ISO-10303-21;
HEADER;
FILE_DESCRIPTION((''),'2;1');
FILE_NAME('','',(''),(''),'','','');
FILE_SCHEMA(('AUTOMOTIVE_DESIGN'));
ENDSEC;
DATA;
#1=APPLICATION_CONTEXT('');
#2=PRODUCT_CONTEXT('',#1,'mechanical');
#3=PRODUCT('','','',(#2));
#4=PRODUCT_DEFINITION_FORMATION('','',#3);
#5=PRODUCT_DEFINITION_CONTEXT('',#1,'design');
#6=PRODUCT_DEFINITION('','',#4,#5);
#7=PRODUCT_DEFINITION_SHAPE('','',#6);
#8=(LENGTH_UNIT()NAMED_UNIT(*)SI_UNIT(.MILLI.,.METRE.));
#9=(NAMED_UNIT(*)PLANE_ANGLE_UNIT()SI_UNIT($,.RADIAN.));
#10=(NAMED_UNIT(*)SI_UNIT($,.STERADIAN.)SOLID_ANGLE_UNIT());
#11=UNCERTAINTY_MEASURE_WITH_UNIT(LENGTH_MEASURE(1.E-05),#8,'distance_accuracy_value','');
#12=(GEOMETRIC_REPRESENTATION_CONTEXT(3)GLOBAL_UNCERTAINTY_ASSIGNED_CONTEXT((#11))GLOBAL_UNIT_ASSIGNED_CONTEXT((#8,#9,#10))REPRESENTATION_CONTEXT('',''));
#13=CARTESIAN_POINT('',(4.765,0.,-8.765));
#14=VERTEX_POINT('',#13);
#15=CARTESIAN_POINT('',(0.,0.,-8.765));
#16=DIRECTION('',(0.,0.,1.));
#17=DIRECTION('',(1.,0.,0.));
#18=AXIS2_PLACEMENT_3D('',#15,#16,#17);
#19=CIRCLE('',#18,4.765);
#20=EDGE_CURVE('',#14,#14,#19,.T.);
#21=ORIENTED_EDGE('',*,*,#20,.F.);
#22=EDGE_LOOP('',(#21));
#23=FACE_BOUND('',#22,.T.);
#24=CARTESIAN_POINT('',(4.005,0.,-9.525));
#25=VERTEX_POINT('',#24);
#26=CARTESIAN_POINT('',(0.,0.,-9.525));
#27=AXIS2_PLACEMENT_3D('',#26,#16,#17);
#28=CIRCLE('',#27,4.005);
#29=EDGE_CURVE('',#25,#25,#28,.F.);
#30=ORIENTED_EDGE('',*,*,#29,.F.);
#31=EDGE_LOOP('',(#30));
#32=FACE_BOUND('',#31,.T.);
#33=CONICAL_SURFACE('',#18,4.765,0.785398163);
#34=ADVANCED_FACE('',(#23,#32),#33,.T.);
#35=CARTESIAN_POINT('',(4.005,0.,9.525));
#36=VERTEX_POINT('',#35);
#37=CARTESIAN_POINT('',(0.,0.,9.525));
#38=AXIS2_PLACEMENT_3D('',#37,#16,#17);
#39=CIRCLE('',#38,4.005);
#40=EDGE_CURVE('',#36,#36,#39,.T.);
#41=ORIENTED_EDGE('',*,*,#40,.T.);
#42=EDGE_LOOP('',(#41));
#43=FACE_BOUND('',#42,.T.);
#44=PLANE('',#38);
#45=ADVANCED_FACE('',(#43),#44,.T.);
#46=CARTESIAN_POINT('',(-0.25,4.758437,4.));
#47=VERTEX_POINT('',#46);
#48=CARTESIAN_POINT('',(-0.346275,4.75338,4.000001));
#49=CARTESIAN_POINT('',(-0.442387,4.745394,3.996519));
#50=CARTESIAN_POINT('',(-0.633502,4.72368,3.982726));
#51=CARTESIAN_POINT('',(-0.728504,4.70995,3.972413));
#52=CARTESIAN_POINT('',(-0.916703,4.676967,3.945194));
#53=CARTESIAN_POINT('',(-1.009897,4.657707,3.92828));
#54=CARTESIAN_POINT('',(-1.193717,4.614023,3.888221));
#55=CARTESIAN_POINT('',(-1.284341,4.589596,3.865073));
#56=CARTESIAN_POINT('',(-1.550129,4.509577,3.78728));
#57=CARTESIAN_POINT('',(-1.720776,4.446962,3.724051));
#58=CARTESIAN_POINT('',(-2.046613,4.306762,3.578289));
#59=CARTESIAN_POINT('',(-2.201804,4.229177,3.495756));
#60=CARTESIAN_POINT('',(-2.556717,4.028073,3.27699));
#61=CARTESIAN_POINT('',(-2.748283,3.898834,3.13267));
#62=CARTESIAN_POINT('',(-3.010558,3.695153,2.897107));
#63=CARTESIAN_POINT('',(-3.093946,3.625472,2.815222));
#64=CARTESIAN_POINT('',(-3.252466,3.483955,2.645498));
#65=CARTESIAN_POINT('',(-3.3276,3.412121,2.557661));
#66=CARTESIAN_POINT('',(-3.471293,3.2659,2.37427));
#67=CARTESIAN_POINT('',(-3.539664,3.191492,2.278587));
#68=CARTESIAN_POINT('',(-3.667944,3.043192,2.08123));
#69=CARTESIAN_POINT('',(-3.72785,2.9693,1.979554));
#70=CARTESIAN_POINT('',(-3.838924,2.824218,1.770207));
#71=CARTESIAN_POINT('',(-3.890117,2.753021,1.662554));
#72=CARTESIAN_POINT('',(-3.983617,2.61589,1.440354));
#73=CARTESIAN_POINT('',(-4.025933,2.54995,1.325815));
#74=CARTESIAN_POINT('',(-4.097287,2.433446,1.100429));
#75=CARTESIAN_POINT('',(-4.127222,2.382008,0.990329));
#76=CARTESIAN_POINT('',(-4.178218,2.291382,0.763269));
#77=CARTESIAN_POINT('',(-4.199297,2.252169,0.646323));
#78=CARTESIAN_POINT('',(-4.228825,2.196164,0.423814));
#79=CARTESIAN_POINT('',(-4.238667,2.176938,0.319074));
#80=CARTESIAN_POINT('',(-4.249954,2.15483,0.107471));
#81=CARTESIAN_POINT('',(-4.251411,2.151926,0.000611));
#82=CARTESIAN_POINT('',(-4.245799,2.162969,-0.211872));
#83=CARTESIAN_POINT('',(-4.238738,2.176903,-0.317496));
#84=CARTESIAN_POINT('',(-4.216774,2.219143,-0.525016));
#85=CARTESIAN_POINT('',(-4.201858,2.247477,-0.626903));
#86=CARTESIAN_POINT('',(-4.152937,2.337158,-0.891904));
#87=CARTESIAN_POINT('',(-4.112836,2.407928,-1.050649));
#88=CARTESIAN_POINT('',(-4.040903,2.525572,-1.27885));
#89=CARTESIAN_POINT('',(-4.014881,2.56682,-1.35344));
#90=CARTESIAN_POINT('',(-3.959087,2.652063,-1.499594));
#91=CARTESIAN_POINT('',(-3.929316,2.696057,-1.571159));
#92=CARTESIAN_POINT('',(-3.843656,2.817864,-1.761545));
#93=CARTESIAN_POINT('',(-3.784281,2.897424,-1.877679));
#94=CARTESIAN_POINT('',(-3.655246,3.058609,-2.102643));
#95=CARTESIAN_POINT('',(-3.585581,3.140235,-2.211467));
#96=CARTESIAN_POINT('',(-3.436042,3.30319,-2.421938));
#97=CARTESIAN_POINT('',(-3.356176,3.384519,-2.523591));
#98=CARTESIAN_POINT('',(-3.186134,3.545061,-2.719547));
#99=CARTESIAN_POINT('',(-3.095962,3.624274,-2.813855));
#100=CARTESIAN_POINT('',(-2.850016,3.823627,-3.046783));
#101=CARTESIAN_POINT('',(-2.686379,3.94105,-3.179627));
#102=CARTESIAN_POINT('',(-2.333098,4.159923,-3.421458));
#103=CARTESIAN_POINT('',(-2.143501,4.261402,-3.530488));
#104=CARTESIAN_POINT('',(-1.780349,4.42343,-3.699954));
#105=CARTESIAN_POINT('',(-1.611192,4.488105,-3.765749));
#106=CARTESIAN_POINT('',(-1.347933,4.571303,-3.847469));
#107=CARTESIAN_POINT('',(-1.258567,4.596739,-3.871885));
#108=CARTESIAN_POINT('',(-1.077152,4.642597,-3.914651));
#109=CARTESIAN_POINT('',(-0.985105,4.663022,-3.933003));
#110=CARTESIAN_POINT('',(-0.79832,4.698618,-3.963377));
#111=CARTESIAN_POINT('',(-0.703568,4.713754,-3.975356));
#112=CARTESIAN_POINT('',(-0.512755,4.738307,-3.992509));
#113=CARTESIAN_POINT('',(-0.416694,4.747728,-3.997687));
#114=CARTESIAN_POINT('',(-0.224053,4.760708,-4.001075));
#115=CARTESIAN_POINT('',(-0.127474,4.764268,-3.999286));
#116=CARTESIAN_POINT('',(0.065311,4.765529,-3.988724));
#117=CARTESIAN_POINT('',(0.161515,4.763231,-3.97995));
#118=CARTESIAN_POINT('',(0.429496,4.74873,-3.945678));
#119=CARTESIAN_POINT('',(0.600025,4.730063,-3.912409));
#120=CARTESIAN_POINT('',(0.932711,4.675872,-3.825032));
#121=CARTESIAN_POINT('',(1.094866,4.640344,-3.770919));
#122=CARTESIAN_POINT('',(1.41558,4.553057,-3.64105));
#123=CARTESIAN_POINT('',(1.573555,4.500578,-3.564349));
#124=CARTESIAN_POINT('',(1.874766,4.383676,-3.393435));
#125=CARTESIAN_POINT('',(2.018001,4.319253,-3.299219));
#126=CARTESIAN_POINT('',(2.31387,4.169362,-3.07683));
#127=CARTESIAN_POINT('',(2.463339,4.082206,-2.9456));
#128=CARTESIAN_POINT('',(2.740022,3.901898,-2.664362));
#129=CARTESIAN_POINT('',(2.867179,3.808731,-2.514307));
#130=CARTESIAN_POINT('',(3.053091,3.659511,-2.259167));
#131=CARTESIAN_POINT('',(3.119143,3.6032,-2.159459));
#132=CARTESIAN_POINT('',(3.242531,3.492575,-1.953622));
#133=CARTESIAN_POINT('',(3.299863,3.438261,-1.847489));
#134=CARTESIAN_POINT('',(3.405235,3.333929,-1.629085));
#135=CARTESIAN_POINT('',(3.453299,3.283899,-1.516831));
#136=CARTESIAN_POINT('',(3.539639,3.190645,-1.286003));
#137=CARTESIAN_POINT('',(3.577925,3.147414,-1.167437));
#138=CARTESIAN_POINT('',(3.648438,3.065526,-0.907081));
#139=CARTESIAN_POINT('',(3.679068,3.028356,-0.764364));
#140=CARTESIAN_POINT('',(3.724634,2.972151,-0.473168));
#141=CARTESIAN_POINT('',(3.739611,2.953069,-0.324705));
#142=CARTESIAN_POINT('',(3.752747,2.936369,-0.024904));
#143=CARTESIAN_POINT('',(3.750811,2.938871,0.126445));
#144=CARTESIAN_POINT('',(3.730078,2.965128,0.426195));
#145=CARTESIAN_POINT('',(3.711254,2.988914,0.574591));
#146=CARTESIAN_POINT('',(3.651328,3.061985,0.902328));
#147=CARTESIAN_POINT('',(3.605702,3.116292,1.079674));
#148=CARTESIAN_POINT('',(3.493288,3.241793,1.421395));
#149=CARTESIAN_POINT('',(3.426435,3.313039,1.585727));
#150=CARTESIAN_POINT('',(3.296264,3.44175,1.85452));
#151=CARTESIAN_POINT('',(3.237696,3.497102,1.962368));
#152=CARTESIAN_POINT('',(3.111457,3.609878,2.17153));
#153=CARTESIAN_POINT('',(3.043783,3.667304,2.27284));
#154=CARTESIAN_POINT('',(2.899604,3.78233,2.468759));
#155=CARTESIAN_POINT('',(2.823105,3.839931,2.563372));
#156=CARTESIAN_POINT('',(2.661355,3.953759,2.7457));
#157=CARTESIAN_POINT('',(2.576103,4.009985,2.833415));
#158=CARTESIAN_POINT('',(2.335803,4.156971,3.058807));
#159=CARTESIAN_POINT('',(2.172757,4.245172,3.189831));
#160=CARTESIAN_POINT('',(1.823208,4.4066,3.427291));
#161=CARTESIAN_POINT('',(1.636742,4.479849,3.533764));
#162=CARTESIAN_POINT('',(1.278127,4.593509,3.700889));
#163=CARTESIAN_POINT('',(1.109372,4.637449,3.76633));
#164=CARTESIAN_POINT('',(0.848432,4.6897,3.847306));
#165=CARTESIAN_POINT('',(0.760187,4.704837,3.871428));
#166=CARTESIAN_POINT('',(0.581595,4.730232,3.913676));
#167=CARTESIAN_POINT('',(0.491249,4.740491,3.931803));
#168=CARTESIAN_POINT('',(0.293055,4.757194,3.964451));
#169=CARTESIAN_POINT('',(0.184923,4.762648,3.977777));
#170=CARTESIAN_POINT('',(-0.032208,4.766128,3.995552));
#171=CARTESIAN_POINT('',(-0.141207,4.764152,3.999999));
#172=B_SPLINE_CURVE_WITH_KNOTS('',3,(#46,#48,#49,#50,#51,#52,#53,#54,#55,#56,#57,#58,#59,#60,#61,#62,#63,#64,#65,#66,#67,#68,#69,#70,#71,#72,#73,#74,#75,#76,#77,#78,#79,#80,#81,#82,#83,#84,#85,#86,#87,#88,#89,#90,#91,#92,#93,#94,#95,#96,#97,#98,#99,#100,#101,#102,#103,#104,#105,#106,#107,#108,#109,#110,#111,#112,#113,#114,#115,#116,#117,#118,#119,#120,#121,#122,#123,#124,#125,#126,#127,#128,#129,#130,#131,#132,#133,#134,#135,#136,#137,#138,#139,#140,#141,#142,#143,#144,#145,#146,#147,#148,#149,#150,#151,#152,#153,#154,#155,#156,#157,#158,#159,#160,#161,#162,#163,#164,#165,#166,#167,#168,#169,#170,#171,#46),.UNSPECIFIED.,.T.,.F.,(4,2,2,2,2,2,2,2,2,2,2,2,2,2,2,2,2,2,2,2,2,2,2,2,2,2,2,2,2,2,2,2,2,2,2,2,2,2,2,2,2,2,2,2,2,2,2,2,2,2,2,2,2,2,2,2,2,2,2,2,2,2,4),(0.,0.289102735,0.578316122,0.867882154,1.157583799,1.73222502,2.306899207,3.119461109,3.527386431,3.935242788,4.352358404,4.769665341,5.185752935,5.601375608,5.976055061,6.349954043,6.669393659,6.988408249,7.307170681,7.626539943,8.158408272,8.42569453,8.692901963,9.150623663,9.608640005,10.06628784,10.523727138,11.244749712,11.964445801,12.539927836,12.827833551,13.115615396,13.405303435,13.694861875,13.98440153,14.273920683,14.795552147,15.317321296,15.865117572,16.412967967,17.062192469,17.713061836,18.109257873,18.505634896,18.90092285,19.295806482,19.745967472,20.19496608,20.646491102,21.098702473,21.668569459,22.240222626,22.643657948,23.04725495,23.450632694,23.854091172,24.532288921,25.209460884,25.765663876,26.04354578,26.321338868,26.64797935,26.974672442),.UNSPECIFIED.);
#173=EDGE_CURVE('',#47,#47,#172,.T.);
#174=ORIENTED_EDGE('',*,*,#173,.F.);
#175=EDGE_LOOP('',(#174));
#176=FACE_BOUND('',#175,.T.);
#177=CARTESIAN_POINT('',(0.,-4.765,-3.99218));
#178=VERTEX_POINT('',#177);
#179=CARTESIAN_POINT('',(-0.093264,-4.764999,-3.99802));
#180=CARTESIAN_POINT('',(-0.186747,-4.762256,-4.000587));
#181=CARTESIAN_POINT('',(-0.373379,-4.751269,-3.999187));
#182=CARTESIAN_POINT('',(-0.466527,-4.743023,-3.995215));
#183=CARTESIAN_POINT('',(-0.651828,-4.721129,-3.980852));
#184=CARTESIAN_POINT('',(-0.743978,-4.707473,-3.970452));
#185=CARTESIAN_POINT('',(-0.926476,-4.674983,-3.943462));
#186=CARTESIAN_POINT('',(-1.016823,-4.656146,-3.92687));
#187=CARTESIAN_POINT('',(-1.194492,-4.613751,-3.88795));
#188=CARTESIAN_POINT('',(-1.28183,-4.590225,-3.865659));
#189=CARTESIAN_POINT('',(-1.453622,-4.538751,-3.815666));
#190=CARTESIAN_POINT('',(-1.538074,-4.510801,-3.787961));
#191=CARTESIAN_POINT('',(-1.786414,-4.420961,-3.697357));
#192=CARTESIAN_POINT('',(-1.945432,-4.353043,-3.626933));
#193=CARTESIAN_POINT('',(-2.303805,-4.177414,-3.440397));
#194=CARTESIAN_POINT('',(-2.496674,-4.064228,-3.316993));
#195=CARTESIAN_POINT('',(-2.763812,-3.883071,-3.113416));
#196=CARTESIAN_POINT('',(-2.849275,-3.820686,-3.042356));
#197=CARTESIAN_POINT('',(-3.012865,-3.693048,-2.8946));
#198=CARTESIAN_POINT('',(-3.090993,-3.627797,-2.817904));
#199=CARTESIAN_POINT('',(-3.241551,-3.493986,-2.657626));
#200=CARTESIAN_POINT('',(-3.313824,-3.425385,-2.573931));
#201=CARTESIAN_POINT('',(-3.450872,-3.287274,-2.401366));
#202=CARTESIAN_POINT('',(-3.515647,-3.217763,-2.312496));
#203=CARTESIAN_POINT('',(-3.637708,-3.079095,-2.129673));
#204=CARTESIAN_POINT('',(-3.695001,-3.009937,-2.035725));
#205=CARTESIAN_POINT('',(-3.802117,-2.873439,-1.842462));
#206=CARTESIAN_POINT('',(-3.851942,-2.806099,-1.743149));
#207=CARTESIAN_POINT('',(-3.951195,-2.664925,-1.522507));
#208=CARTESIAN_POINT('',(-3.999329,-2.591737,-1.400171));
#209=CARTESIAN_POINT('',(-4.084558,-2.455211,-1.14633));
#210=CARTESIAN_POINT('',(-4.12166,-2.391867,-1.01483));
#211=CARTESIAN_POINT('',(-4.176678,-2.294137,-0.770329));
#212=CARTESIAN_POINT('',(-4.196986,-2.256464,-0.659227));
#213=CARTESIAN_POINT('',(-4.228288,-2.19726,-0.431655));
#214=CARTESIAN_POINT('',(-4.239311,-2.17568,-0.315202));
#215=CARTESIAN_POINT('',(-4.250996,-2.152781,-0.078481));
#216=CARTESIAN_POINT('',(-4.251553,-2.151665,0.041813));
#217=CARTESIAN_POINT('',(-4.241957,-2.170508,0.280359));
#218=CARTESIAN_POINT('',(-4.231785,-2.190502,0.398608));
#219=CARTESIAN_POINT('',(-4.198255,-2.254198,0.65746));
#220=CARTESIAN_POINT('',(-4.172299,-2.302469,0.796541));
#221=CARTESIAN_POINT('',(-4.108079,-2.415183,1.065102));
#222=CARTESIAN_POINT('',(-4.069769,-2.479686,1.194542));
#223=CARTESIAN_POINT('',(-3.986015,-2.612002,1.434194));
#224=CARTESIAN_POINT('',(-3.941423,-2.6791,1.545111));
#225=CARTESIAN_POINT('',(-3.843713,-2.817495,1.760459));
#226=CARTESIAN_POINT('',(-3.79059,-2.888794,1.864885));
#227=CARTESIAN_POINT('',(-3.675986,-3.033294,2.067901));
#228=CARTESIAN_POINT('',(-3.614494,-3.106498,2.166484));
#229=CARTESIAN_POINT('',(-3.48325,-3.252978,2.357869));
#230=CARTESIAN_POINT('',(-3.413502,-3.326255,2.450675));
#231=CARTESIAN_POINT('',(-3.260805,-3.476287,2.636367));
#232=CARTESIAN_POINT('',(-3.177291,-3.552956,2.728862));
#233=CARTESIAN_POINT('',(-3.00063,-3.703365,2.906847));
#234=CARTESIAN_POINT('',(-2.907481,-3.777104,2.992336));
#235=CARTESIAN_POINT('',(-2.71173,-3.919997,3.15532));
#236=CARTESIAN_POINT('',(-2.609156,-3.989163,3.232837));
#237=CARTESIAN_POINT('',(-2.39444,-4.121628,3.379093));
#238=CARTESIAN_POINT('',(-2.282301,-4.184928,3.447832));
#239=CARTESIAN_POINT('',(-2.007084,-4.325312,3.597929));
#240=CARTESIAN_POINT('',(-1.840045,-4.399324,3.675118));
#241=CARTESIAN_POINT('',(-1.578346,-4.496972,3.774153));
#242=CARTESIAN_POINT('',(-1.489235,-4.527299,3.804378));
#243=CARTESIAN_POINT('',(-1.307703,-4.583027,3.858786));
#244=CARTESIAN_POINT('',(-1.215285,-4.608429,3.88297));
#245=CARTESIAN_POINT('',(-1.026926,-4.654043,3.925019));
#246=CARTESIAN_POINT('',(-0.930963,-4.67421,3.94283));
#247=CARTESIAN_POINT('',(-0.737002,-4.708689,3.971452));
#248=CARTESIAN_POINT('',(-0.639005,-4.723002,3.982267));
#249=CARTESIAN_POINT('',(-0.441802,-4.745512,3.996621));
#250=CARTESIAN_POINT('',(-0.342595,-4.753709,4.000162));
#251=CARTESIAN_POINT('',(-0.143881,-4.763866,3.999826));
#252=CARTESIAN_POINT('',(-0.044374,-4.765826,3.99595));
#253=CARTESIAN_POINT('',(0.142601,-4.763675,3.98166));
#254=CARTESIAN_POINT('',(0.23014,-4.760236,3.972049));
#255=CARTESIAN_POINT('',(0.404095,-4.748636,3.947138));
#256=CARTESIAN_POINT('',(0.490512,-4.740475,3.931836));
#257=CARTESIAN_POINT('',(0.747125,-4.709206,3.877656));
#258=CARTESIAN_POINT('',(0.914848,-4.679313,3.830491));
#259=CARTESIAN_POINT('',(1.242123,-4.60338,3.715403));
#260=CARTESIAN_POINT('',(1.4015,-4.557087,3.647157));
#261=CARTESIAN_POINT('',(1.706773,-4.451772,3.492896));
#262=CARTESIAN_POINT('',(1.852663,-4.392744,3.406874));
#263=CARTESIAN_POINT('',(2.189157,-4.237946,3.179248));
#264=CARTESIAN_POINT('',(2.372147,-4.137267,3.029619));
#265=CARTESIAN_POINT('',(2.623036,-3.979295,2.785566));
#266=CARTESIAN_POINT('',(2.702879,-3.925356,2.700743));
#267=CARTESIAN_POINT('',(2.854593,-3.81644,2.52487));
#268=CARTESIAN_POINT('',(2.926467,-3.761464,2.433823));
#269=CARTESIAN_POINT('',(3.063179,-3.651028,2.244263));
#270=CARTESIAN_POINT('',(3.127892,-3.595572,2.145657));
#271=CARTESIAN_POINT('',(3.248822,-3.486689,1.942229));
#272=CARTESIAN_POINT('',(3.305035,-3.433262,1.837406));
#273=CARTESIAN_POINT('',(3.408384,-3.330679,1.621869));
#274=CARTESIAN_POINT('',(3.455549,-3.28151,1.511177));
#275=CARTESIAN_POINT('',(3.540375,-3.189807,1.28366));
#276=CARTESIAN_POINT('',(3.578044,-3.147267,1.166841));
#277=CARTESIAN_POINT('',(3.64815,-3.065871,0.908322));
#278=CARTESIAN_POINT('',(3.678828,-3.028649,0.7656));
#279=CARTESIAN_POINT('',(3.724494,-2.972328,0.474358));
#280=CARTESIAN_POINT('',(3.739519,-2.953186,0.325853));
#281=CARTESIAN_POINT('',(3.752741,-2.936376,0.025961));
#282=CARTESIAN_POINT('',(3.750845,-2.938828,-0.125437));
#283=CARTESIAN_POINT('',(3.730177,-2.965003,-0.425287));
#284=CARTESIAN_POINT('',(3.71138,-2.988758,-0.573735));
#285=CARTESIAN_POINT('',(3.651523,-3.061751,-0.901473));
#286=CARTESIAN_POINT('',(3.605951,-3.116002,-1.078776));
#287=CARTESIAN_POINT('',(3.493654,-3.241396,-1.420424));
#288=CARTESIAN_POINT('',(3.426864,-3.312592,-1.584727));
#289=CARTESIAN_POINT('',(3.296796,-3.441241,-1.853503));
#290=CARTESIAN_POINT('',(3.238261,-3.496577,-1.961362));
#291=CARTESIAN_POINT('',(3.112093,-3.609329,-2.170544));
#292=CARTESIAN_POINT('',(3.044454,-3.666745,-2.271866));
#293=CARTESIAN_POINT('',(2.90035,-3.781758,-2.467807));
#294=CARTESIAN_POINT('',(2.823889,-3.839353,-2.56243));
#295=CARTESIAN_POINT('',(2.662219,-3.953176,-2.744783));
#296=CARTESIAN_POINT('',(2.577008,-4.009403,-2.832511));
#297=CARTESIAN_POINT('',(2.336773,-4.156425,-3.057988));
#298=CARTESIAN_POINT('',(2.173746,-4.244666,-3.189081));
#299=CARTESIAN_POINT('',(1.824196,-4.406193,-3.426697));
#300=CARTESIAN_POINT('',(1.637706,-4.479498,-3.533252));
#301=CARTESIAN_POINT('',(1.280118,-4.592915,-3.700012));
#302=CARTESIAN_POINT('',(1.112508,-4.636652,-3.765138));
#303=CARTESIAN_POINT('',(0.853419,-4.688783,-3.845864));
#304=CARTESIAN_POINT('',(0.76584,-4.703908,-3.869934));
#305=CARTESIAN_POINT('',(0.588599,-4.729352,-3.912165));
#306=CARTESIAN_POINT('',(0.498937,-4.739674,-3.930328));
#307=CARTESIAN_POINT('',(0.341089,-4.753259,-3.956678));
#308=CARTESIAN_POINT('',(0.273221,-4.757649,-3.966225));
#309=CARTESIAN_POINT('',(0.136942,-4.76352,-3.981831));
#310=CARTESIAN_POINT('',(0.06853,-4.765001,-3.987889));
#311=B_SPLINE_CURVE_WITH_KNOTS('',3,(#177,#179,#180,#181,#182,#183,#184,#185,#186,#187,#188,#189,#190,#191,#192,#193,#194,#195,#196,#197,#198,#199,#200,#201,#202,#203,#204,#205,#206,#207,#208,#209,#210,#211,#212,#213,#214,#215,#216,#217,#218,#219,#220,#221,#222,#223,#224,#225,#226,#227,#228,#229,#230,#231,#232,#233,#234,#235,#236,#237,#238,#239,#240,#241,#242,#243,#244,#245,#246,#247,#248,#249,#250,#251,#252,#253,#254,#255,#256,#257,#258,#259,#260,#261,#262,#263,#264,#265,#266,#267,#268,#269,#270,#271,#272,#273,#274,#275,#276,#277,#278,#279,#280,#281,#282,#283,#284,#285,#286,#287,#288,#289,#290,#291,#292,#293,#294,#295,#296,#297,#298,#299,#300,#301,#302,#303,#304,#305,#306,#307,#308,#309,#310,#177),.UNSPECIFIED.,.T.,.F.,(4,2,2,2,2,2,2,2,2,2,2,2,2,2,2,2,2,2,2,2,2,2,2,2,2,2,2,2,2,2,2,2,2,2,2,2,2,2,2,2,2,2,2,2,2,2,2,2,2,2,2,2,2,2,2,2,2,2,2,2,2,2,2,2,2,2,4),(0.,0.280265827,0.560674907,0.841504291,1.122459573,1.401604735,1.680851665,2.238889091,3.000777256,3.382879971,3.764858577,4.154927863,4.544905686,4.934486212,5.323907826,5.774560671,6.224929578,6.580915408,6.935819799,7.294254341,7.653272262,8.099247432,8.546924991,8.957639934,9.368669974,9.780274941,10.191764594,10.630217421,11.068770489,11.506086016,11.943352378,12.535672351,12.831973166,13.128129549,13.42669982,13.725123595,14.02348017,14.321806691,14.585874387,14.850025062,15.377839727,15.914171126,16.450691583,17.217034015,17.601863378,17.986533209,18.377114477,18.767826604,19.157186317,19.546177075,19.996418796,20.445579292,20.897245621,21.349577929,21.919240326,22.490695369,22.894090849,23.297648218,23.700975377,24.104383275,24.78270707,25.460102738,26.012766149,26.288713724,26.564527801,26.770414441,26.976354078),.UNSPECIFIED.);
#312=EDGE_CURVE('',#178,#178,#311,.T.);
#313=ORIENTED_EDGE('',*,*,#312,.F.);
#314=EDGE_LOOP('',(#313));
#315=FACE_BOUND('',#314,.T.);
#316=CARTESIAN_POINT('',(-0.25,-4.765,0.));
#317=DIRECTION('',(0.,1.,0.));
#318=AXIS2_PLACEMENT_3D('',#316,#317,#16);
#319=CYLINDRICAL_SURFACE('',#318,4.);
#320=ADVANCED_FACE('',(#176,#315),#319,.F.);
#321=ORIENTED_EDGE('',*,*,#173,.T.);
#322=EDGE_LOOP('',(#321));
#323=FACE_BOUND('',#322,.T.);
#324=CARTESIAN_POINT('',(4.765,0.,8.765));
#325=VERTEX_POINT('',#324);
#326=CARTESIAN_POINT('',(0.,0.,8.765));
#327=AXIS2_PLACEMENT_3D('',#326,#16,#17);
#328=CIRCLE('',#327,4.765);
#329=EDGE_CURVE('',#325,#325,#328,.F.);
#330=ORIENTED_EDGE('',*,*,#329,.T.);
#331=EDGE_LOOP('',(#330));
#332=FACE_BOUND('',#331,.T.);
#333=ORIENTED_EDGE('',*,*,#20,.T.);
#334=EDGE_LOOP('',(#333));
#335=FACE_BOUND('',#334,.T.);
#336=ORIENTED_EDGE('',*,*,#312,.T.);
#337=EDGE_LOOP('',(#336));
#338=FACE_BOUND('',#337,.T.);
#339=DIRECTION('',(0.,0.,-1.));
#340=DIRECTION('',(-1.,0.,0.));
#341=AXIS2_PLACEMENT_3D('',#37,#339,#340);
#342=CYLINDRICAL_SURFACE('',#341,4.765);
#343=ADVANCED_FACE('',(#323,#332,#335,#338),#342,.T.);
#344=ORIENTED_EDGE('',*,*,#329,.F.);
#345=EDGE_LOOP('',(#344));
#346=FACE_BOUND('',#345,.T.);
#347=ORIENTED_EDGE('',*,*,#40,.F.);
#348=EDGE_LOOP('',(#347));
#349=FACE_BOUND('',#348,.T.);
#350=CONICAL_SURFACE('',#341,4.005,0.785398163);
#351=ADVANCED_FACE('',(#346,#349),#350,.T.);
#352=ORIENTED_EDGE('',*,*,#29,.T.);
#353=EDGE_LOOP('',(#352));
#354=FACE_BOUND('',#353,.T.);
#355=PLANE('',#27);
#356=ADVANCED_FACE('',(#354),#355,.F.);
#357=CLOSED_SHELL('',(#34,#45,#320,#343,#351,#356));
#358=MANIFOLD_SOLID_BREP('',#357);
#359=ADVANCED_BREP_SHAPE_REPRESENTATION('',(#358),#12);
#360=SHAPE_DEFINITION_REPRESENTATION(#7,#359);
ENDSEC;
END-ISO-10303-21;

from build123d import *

# Parameters (mm, degrees)
SKETCH1_R               = 4.765
BOSS_EXTRUDE1_DEPTH     = 9.525
CHAMFER1_SIZE           = 0.76
CUT_EXTRUDE1_DEPTH      = 12.667736499
CUT_EXTRUDE1_DEPTH_BACK = 12.667736499
SKETCH2_R               = 4


with BuildPart() as part:
    # Sketch1 → Boss-Extrude1 (new, symmetric)
    with BuildSketch(Plane.XY):
        with Locations(Location((0, 0, 0), (0, 0, 180))):
            Circle(SKETCH1_R)
    extrude(amount=BOSS_EXTRUDE1_DEPTH, both=True)

    # Chamfer1
    chamfer1_edges = [part.edges().sort_by_distance(p)[0] for p in [
        (4.765, 0, -9.525),
        (4.765, 0, 9.525),
    ]]
    chamfer(chamfer1_edges, length=CHAMFER1_SIZE)

    # Sketch2 → Cut-Extrude1 (cut, two sides: drawn at the far end of the back side and taken through both)
    with BuildSketch(Plane(origin=(0, 0, 0), x_dir=(1, 0, 0), z_dir=(0, 1, 0)).offset(-CUT_EXTRUDE1_DEPTH_BACK)):
        with Locations(Location((-0.25, 0, 0), (0, 0, 270))):
            Circle(SKETCH2_R)
    extrude(amount=CUT_EXTRUDE1_DEPTH + CUT_EXTRUDE1_DEPTH_BACK, mode=Mode.SUBTRACT)


solid = part.part
